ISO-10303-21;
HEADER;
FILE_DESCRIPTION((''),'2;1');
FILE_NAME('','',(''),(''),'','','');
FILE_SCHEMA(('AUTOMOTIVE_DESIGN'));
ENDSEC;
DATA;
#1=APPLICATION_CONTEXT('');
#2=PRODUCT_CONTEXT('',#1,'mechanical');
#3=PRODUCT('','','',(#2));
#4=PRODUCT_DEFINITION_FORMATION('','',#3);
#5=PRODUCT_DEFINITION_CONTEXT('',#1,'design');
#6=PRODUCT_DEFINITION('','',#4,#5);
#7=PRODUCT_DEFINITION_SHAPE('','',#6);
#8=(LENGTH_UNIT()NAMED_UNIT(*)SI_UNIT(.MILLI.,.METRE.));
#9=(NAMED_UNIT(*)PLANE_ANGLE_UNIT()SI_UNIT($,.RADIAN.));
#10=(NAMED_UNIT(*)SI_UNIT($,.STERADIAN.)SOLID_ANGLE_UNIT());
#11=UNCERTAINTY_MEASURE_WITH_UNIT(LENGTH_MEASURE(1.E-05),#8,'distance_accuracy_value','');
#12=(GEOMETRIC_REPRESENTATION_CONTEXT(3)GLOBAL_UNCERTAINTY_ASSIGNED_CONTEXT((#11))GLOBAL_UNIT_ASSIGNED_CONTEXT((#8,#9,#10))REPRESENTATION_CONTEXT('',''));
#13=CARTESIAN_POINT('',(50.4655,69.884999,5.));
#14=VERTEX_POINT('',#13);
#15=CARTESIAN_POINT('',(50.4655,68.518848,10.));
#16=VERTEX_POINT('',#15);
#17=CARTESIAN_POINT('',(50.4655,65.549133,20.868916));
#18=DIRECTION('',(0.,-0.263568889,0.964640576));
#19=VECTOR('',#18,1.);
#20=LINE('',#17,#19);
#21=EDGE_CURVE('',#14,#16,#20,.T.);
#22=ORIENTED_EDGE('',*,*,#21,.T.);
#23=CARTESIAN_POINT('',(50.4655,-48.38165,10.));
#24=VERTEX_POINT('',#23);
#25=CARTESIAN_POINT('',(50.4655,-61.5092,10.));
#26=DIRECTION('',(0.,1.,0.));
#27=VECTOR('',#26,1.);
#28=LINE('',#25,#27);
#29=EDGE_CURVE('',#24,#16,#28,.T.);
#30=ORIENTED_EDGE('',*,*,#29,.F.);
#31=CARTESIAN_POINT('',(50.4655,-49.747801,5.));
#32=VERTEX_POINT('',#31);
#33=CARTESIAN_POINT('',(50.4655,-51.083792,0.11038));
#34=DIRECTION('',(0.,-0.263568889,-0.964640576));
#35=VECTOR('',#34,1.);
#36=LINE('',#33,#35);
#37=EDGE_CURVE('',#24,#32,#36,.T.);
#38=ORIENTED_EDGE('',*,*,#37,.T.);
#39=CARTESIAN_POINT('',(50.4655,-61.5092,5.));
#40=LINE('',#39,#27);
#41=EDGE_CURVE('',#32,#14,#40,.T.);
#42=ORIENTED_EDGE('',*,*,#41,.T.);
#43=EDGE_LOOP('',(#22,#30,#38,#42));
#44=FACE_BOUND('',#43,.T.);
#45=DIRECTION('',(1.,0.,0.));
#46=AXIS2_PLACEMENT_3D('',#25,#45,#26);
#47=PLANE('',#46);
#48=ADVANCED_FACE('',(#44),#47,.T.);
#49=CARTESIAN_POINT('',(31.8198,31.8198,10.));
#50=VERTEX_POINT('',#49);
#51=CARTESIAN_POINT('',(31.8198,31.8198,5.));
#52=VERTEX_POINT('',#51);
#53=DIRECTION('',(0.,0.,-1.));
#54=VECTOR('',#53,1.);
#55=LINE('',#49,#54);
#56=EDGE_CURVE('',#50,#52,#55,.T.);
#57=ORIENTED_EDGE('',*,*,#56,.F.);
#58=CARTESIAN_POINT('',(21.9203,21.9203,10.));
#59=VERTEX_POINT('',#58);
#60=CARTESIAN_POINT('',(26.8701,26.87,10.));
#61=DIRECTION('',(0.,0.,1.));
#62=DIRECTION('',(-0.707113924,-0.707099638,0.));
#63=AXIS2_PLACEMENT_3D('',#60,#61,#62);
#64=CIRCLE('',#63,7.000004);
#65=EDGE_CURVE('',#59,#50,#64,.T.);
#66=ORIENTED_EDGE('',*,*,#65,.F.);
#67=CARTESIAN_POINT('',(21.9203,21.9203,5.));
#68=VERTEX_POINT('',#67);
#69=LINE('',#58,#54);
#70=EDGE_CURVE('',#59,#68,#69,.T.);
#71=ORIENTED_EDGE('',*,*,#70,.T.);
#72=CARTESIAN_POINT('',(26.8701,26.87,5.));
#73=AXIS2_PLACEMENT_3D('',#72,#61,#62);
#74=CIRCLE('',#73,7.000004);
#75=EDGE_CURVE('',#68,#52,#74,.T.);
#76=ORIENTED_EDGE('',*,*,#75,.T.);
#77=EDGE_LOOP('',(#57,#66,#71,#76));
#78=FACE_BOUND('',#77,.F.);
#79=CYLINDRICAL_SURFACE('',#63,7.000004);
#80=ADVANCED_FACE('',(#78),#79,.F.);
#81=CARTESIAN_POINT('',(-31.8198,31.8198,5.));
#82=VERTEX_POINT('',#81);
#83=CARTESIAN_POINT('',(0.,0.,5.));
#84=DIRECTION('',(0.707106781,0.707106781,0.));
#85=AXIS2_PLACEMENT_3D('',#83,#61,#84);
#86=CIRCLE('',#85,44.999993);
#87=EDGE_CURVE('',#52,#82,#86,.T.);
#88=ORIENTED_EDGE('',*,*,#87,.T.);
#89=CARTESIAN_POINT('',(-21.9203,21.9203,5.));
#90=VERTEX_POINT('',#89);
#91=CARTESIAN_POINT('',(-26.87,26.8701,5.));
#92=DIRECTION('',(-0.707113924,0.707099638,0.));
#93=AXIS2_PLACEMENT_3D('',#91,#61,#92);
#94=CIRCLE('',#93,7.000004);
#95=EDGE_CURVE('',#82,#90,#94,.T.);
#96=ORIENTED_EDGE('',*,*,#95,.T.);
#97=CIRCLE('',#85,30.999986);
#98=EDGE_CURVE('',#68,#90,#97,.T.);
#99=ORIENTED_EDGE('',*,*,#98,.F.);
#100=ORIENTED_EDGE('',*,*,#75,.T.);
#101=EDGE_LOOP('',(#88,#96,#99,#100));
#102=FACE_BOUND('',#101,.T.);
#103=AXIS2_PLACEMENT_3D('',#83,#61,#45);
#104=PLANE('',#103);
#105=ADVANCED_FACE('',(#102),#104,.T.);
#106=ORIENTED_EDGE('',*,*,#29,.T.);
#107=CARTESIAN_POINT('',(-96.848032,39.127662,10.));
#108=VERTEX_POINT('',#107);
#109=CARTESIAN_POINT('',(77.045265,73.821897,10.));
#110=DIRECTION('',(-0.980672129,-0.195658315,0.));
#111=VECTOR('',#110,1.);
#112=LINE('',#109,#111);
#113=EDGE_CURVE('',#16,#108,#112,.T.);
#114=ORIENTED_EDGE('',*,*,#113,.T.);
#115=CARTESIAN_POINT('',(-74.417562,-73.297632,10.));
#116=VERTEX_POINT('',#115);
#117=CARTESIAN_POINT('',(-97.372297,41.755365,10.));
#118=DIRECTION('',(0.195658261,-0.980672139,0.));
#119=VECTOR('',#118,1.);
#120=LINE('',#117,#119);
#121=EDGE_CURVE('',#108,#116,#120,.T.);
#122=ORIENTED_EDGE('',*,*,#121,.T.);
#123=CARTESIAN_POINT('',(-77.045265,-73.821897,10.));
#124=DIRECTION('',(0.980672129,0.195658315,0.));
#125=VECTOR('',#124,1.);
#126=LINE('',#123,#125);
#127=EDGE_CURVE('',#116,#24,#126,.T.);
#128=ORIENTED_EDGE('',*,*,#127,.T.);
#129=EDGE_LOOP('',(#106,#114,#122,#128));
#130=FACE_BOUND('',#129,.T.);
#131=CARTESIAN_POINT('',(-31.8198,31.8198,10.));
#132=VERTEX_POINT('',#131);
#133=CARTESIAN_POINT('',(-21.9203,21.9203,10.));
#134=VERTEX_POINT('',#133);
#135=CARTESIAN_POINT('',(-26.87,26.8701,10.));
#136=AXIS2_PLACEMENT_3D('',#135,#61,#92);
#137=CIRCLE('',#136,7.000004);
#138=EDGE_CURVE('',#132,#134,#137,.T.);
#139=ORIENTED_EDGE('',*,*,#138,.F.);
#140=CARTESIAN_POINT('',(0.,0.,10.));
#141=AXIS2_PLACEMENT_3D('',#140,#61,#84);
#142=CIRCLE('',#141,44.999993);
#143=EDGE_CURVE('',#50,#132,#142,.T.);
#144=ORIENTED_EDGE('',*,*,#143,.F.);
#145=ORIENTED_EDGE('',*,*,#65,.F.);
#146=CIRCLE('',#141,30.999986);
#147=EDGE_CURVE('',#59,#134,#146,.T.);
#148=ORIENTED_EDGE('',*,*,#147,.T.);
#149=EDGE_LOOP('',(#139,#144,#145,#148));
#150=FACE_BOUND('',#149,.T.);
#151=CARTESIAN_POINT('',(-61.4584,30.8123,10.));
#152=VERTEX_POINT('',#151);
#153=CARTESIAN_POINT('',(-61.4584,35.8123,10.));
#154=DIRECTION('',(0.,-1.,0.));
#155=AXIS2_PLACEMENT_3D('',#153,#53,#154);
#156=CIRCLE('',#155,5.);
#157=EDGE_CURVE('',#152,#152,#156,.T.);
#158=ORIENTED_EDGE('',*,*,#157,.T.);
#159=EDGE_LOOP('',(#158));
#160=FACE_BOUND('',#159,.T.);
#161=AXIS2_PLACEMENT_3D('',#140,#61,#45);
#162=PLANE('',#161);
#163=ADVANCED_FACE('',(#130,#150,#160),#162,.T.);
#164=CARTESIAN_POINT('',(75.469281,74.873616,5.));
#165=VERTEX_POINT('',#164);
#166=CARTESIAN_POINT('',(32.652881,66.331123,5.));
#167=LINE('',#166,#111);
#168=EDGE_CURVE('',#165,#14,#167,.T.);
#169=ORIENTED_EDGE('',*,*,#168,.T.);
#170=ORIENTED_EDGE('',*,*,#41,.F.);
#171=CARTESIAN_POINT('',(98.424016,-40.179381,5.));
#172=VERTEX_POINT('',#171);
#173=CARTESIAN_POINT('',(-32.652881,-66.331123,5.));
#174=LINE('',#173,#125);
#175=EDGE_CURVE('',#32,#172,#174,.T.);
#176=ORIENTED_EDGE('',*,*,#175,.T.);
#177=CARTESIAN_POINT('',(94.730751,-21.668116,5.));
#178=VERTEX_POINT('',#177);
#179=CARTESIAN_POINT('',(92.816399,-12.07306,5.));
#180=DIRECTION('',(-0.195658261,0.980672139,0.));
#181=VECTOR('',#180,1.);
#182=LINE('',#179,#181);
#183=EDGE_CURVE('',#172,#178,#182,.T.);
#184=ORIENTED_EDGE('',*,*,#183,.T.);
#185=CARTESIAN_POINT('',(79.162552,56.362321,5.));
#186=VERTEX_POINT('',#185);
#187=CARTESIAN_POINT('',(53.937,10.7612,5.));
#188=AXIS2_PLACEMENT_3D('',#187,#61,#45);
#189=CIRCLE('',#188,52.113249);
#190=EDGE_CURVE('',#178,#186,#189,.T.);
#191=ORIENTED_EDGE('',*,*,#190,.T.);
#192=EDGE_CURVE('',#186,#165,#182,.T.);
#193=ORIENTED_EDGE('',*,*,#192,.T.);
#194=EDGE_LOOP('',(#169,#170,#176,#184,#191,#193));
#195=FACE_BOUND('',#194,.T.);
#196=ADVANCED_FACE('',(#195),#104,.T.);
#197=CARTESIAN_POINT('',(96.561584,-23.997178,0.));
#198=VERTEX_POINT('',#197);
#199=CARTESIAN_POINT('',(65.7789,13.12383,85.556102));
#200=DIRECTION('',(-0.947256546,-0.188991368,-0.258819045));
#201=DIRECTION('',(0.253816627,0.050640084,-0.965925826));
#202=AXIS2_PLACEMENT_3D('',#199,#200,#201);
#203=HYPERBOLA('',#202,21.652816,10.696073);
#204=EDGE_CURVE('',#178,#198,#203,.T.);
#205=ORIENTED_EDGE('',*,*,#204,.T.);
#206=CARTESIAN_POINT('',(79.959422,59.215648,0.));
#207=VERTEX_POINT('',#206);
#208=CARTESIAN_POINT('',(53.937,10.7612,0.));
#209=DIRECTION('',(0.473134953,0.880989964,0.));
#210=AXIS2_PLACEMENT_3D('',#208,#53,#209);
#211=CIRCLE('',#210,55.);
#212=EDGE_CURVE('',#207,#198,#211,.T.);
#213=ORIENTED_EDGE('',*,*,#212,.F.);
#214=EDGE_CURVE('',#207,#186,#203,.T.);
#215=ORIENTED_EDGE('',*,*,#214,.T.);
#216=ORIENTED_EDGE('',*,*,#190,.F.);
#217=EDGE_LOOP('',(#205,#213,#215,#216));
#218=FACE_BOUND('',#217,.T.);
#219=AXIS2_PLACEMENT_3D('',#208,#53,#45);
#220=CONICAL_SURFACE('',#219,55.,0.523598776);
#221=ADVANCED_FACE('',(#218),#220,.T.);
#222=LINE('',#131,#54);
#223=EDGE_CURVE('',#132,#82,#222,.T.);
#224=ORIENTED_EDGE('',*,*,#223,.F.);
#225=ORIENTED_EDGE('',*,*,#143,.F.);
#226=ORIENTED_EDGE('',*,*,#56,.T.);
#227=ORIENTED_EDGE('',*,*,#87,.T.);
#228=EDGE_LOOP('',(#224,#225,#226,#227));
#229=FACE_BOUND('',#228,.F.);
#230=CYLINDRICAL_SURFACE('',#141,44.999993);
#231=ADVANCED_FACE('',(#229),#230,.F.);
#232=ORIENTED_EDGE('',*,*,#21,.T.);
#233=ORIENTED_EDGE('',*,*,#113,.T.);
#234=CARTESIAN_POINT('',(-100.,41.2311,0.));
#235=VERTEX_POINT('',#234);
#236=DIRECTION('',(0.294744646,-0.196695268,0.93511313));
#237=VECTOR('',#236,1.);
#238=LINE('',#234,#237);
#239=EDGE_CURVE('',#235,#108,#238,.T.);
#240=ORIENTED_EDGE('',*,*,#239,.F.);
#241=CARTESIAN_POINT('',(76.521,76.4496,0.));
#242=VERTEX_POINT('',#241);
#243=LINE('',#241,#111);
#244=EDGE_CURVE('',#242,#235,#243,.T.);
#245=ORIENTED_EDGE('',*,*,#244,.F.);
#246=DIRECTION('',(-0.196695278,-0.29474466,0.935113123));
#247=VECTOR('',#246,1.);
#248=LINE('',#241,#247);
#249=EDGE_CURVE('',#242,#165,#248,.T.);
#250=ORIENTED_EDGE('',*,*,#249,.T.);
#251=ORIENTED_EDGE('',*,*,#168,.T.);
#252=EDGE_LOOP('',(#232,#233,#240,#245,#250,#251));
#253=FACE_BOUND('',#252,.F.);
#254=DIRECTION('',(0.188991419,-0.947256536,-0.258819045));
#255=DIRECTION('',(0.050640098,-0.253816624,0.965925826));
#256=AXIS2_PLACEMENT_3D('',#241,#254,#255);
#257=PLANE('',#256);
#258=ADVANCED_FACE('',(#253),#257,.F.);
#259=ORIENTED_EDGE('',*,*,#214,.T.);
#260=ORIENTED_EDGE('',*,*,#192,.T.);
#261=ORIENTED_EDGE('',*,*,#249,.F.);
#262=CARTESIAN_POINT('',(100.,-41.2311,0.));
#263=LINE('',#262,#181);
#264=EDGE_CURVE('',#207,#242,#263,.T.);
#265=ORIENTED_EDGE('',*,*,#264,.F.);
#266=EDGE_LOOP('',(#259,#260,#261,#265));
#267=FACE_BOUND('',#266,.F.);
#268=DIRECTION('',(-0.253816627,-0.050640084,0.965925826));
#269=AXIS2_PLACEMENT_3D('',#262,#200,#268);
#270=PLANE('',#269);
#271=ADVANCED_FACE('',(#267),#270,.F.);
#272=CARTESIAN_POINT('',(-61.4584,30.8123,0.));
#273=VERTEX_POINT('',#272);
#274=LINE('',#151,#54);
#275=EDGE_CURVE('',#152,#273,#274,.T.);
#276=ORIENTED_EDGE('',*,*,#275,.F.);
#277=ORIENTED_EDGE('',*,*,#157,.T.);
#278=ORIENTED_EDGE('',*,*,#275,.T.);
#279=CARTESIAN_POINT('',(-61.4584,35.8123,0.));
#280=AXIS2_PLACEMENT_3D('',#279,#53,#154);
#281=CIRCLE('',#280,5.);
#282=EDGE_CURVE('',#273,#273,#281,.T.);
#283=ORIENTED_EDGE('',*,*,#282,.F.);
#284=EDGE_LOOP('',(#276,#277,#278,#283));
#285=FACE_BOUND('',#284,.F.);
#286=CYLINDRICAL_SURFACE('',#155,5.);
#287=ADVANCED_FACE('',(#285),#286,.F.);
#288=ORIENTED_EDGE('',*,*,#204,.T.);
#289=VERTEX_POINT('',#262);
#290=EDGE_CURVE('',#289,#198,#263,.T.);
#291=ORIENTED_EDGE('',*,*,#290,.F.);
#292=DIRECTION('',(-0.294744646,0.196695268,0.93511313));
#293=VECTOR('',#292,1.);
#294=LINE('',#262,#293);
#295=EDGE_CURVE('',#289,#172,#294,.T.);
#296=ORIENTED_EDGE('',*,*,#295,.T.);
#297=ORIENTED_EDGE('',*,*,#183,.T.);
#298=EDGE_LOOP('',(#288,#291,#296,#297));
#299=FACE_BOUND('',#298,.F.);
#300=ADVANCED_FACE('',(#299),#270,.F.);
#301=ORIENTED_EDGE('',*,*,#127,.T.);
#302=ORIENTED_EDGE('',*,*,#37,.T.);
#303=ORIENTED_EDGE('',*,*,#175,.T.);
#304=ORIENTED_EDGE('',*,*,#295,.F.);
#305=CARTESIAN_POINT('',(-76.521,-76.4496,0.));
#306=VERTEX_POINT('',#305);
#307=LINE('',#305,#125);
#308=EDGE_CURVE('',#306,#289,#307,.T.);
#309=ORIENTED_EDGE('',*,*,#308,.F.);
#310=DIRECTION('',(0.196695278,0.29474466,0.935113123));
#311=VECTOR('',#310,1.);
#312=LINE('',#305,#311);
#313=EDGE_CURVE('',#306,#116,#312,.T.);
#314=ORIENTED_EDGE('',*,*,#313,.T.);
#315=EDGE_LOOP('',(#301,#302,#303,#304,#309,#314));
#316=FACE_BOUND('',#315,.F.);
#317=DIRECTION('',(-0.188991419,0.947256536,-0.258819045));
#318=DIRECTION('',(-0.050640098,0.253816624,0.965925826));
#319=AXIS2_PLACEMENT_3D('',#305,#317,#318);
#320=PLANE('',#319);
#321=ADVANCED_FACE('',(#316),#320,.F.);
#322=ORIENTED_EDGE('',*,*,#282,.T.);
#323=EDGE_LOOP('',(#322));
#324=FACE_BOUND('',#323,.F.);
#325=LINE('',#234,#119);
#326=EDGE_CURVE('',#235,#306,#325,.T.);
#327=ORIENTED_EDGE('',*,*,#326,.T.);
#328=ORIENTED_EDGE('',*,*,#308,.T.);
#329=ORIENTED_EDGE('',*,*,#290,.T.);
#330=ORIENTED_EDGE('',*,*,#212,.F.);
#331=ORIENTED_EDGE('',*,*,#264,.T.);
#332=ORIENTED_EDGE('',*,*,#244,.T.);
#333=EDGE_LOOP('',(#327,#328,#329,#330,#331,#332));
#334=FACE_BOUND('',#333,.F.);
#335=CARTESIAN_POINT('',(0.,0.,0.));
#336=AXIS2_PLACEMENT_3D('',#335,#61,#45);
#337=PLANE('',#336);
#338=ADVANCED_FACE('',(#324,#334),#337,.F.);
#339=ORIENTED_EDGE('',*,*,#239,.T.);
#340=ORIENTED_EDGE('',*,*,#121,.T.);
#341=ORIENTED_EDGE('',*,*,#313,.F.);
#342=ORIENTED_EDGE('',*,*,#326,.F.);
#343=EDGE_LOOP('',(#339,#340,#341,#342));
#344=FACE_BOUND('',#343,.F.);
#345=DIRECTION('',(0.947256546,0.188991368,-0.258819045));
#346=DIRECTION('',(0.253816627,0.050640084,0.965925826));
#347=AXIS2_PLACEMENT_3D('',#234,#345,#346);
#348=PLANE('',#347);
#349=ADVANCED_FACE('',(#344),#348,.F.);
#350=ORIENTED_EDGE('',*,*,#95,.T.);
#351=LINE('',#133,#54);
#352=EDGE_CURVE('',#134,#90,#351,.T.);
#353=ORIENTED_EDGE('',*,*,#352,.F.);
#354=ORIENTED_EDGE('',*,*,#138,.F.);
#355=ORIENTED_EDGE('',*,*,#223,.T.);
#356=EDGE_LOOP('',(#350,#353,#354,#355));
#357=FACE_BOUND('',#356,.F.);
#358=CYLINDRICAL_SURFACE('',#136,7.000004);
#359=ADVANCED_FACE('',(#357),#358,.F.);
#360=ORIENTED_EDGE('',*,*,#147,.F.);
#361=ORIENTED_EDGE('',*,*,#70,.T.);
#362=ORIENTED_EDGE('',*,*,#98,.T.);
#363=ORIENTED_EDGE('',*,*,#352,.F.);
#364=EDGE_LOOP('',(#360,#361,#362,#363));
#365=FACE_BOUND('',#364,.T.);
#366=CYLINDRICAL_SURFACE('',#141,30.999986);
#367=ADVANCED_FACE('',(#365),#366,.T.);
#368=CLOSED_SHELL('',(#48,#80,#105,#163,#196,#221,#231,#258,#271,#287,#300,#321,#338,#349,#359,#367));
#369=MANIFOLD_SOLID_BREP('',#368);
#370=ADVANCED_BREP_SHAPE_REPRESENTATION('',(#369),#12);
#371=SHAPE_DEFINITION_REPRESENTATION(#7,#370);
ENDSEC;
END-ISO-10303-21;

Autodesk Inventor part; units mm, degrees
ref_plane "YZ Plane" through (0, 0, 0) normal (1, 0, 0) x (0, 1, 0)
ref_plane "XZ Plane" through (0, 0, 0) normal (0, 1, 0) x (-1, 0, 0)
ref_plane "XY Plane" through (0, 0, 0) normal (0, 0, 1) x (1, 0, 0)
sketch "Sketch1" plane through (0, 0, 0) normal (0, 0, 1) x (1, 0, 0)
  line L0 (-76.521, -76.4496) -> (100, -41.2311)
  line L1 (100, -41.2311) -> (76.521, 76.4496)
  line L2 (76.521, 76.4496) -> (-100, 41.2311)
  line L3 (-100, 41.2311) -> (-76.521, -76.4496)
  line L4 (-76.521, -76.4496) -> (76.521, 76.4496) construction
  line L5 (100, -41.2311) -> (-100, 41.2311) construction
  point P0 (0, 0)
  point P1 (0, 0)
  dimension "d0" = 180
  dimension "d1" = 120
  dimension "d23" = 100
extrude "Extrusion1" add sketch "Sketch1" along normal blind 10 draft -15
sketch "Sketch2" plane through (0, 0, 0) normal (0, 0, 1) x (1, 0, 0)
  circle A0 centre (53.937, 10.7612) radius 55
  line L0 (100, -41.2311) -> (76.521, 76.4496) construction
  line L1 (0, 0) -> (88.2605, 17.6093) construction
  dimension "d1" = 120
  dimension "d4" = 110
  dimension "d5" = 55
extrude "Extrusion2" add sketch "Sketch2" along normal blind 10 draft -30
sketch "Sketch3" plane through (0, 0, 10) normal (0, 0, 1) x (1, 0, 0)
  line L0 (-74.4175, -73.2976) -> (-96.848, 39.1276) projected
  line L1 (-96.848, 39.1276) -> (74.4175, 73.2976) projected
  point P0 (0, 0)
  point P1 (-61.4584, 35.8123)
hole "Hole1" at (-61.4584, 35.8123, 10) direction (0, 0, -1) diameter 10 depth 18
sketch "Sketch4" plane through (0, 0, 10) normal (0, 0, 1) x (1, 0, 0)
  arc A0 (26.8701, 26.8701) -> (-26.8701, 26.8701) centre (0, 0) ccw construction
  arc A1 (31.8198, 31.8198) -> (-31.8198, 31.8198) centre (0, 0) ccw
  arc A2 (21.9203, 21.9203) -> (-21.9203, 21.9203) centre (0, 0) ccw
  arc A3 (21.9203, 21.9203) -> (31.8198, 31.8198) centre (26.8701, 26.8701) ccw
  arc A4 (-31.8198, 31.8198) -> (-21.9203, 21.9203) centre (-26.8701, 26.8701) ccw
  dimension "d18" = 90
  dimension "d19" = 7
  dimension "d20" = 38
extrude "Extrusion3" cut sketch "Sketch4" against normal blind 5
sketch "Sketch6" plane through (0, 0, 10) normal (0, 0, 1) x (1, 0, 0)
  line L0 (50.4655, 83.5966) -> (130.9866, 83.5966)
  line L1 (130.9866, 83.5966) -> (130.9866, -61.5092)
  line L2 (130.9866, -61.5092) -> (50.4655, -61.5092)
  line L3 (50.4655, -61.5092) -> (50.4655, 83.5966)
  point P0 (0, 0)
  dimension "d1" = 120
extrude "Extrusion4" cut sketch "Sketch6" against normal up to surface (5 mm away)
properties part number "Deo1 with Sketch"
